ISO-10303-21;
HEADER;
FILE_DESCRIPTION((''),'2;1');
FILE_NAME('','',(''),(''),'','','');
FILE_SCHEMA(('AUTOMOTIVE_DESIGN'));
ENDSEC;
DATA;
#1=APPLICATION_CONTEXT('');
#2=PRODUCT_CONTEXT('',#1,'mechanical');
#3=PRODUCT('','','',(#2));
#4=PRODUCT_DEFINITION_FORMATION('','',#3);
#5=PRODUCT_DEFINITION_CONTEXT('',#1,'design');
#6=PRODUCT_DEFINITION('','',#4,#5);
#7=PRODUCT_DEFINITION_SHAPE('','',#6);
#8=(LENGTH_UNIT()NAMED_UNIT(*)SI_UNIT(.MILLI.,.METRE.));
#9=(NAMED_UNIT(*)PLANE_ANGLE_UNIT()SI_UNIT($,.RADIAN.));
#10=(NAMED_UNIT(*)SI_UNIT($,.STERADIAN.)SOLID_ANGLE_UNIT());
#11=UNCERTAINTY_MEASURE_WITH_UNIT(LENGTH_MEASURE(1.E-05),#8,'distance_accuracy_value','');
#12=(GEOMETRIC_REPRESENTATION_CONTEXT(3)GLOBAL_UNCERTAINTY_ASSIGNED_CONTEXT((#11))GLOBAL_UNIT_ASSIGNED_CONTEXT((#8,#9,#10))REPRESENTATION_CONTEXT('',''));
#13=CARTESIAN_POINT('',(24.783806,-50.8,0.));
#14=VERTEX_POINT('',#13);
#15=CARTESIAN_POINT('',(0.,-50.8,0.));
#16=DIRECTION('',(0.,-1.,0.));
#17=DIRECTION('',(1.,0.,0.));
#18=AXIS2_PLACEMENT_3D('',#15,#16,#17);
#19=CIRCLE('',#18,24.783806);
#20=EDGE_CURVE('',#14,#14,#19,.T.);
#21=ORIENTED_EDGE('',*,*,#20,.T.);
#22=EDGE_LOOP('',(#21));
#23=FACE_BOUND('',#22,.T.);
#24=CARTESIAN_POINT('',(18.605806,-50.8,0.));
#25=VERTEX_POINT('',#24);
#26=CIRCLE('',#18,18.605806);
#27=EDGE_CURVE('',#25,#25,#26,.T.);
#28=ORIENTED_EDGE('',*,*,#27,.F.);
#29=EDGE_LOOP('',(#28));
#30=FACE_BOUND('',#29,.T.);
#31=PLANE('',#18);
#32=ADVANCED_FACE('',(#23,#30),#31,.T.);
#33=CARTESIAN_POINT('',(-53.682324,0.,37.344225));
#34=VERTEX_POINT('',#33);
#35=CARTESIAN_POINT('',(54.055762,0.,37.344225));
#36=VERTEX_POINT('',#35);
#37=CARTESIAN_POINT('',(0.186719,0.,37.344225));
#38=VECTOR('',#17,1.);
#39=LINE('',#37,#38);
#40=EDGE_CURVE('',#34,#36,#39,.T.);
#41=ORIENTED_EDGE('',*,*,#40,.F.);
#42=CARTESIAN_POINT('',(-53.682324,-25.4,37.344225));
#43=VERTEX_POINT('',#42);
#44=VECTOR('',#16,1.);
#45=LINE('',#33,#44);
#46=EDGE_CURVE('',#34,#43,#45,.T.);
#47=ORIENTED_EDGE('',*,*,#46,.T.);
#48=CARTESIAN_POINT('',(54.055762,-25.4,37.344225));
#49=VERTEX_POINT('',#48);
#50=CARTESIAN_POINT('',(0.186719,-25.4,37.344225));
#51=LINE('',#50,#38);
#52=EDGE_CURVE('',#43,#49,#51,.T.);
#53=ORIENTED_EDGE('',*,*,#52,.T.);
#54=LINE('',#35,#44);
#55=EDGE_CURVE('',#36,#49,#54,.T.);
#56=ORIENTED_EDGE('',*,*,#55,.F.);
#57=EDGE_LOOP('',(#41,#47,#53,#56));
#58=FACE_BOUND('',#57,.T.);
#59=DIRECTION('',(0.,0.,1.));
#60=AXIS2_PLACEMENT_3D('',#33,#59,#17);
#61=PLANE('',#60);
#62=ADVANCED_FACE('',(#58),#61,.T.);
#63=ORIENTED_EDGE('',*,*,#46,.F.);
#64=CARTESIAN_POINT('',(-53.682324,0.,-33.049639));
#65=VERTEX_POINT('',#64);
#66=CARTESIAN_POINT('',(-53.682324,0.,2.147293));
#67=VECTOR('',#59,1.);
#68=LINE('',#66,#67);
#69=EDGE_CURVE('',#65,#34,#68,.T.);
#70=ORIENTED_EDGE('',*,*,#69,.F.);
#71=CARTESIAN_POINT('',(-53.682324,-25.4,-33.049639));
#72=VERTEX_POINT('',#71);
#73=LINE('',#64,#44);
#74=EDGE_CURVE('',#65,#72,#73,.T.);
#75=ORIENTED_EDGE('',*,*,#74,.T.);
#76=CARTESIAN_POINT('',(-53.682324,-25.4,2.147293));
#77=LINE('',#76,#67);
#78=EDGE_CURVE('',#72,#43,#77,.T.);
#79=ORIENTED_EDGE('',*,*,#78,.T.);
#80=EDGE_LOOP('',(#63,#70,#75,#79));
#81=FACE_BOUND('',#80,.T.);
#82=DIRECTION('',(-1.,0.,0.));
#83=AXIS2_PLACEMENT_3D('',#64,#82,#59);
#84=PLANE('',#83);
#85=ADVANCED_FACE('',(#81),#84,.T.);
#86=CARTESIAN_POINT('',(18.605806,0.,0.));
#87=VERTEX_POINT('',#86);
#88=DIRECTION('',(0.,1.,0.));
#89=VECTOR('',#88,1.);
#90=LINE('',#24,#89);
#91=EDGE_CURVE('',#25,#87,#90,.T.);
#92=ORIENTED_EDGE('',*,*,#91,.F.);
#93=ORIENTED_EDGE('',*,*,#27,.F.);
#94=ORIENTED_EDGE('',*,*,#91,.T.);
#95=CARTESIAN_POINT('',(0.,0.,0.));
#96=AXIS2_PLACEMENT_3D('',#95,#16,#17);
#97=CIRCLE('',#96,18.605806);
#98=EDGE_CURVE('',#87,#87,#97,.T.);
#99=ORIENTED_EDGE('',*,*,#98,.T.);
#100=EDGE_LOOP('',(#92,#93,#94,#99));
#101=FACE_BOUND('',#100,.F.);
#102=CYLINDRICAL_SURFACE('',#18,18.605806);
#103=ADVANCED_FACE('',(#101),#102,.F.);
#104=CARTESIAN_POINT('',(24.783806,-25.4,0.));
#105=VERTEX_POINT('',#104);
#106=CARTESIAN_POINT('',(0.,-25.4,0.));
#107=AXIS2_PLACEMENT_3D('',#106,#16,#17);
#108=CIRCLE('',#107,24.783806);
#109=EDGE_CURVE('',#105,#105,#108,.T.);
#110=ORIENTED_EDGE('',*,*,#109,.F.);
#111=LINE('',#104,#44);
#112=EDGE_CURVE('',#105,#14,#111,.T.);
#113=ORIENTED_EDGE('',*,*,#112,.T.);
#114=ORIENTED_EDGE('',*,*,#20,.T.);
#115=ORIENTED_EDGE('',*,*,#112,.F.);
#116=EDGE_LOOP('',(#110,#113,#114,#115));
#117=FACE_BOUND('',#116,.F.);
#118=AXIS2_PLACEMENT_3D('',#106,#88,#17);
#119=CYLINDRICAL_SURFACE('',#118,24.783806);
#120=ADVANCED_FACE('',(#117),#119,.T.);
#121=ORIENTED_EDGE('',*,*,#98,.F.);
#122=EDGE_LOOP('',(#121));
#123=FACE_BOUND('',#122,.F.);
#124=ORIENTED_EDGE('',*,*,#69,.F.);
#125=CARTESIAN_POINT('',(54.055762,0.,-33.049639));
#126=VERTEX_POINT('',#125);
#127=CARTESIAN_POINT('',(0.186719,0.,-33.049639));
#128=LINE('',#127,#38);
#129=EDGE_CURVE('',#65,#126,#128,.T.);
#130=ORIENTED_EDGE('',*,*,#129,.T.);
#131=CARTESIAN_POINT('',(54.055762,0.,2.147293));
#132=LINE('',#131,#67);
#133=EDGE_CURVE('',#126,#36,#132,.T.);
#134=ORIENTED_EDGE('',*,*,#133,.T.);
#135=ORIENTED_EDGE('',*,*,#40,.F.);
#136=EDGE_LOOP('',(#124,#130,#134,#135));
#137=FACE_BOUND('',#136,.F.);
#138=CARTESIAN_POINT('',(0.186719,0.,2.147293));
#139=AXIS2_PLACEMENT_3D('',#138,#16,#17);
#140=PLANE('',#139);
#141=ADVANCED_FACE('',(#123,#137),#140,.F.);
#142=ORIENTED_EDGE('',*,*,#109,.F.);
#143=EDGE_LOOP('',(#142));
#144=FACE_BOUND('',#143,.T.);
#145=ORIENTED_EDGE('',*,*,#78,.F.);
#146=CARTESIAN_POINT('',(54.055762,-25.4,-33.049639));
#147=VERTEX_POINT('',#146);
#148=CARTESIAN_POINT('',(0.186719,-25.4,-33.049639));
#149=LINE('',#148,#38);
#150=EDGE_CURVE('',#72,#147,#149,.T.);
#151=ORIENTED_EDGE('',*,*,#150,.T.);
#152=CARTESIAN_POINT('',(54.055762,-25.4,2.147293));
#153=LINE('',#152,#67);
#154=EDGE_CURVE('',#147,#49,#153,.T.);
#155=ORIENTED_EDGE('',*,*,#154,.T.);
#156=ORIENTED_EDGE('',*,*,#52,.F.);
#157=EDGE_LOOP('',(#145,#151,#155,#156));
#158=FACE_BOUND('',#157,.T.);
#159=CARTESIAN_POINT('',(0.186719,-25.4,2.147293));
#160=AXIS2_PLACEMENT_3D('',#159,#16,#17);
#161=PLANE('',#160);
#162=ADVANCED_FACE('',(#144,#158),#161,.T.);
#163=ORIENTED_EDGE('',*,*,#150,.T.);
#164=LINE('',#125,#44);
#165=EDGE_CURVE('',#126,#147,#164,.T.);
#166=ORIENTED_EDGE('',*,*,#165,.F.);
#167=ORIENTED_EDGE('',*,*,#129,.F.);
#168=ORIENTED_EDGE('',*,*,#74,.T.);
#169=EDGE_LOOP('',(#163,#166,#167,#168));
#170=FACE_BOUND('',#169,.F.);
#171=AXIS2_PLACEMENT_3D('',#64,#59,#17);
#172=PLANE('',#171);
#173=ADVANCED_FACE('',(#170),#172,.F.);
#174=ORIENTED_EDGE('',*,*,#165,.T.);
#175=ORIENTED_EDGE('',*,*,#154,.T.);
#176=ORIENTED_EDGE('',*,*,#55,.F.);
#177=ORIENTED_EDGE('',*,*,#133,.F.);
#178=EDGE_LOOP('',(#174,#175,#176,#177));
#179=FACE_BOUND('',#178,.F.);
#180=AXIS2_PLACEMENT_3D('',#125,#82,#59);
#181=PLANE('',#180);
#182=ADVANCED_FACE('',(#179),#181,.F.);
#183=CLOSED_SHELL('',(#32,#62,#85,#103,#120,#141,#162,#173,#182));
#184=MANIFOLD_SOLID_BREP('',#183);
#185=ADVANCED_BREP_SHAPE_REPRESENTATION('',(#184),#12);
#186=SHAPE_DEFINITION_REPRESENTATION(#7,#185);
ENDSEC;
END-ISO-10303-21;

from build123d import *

# Parameters (mm, degrees)
F0_W     = 107.738086
F0_H     = 70.393864
F1_DEPTH = 25.4
F2_R     = 24.783806
F3_DEPTH = 25.4
F4_R     = 18.605806
F5_DEPTH = 76.2


with BuildPart() as f1:
    # F0 (on Front) → F1 (new body)
    with BuildSketch(Plane.XZ):
        with Locations((0.186719, 2.147293)):
            Rectangle(F0_W, F0_H)
    extrude(amount=F1_DEPTH)

    # F2 (on face) → F3 (join)
    with BuildSketch(Plane.XZ.offset(25.4)):
        Circle(F2_R)
    extrude(amount=F3_DEPTH)

    # F4 (on face) → F5 (cut)
    with BuildSketch(Plane.XZ.offset(50.8)):
        Circle(F4_R)
    extrude(amount=-F5_DEPTH, mode=Mode.SUBTRACT)


solid = f1.part
